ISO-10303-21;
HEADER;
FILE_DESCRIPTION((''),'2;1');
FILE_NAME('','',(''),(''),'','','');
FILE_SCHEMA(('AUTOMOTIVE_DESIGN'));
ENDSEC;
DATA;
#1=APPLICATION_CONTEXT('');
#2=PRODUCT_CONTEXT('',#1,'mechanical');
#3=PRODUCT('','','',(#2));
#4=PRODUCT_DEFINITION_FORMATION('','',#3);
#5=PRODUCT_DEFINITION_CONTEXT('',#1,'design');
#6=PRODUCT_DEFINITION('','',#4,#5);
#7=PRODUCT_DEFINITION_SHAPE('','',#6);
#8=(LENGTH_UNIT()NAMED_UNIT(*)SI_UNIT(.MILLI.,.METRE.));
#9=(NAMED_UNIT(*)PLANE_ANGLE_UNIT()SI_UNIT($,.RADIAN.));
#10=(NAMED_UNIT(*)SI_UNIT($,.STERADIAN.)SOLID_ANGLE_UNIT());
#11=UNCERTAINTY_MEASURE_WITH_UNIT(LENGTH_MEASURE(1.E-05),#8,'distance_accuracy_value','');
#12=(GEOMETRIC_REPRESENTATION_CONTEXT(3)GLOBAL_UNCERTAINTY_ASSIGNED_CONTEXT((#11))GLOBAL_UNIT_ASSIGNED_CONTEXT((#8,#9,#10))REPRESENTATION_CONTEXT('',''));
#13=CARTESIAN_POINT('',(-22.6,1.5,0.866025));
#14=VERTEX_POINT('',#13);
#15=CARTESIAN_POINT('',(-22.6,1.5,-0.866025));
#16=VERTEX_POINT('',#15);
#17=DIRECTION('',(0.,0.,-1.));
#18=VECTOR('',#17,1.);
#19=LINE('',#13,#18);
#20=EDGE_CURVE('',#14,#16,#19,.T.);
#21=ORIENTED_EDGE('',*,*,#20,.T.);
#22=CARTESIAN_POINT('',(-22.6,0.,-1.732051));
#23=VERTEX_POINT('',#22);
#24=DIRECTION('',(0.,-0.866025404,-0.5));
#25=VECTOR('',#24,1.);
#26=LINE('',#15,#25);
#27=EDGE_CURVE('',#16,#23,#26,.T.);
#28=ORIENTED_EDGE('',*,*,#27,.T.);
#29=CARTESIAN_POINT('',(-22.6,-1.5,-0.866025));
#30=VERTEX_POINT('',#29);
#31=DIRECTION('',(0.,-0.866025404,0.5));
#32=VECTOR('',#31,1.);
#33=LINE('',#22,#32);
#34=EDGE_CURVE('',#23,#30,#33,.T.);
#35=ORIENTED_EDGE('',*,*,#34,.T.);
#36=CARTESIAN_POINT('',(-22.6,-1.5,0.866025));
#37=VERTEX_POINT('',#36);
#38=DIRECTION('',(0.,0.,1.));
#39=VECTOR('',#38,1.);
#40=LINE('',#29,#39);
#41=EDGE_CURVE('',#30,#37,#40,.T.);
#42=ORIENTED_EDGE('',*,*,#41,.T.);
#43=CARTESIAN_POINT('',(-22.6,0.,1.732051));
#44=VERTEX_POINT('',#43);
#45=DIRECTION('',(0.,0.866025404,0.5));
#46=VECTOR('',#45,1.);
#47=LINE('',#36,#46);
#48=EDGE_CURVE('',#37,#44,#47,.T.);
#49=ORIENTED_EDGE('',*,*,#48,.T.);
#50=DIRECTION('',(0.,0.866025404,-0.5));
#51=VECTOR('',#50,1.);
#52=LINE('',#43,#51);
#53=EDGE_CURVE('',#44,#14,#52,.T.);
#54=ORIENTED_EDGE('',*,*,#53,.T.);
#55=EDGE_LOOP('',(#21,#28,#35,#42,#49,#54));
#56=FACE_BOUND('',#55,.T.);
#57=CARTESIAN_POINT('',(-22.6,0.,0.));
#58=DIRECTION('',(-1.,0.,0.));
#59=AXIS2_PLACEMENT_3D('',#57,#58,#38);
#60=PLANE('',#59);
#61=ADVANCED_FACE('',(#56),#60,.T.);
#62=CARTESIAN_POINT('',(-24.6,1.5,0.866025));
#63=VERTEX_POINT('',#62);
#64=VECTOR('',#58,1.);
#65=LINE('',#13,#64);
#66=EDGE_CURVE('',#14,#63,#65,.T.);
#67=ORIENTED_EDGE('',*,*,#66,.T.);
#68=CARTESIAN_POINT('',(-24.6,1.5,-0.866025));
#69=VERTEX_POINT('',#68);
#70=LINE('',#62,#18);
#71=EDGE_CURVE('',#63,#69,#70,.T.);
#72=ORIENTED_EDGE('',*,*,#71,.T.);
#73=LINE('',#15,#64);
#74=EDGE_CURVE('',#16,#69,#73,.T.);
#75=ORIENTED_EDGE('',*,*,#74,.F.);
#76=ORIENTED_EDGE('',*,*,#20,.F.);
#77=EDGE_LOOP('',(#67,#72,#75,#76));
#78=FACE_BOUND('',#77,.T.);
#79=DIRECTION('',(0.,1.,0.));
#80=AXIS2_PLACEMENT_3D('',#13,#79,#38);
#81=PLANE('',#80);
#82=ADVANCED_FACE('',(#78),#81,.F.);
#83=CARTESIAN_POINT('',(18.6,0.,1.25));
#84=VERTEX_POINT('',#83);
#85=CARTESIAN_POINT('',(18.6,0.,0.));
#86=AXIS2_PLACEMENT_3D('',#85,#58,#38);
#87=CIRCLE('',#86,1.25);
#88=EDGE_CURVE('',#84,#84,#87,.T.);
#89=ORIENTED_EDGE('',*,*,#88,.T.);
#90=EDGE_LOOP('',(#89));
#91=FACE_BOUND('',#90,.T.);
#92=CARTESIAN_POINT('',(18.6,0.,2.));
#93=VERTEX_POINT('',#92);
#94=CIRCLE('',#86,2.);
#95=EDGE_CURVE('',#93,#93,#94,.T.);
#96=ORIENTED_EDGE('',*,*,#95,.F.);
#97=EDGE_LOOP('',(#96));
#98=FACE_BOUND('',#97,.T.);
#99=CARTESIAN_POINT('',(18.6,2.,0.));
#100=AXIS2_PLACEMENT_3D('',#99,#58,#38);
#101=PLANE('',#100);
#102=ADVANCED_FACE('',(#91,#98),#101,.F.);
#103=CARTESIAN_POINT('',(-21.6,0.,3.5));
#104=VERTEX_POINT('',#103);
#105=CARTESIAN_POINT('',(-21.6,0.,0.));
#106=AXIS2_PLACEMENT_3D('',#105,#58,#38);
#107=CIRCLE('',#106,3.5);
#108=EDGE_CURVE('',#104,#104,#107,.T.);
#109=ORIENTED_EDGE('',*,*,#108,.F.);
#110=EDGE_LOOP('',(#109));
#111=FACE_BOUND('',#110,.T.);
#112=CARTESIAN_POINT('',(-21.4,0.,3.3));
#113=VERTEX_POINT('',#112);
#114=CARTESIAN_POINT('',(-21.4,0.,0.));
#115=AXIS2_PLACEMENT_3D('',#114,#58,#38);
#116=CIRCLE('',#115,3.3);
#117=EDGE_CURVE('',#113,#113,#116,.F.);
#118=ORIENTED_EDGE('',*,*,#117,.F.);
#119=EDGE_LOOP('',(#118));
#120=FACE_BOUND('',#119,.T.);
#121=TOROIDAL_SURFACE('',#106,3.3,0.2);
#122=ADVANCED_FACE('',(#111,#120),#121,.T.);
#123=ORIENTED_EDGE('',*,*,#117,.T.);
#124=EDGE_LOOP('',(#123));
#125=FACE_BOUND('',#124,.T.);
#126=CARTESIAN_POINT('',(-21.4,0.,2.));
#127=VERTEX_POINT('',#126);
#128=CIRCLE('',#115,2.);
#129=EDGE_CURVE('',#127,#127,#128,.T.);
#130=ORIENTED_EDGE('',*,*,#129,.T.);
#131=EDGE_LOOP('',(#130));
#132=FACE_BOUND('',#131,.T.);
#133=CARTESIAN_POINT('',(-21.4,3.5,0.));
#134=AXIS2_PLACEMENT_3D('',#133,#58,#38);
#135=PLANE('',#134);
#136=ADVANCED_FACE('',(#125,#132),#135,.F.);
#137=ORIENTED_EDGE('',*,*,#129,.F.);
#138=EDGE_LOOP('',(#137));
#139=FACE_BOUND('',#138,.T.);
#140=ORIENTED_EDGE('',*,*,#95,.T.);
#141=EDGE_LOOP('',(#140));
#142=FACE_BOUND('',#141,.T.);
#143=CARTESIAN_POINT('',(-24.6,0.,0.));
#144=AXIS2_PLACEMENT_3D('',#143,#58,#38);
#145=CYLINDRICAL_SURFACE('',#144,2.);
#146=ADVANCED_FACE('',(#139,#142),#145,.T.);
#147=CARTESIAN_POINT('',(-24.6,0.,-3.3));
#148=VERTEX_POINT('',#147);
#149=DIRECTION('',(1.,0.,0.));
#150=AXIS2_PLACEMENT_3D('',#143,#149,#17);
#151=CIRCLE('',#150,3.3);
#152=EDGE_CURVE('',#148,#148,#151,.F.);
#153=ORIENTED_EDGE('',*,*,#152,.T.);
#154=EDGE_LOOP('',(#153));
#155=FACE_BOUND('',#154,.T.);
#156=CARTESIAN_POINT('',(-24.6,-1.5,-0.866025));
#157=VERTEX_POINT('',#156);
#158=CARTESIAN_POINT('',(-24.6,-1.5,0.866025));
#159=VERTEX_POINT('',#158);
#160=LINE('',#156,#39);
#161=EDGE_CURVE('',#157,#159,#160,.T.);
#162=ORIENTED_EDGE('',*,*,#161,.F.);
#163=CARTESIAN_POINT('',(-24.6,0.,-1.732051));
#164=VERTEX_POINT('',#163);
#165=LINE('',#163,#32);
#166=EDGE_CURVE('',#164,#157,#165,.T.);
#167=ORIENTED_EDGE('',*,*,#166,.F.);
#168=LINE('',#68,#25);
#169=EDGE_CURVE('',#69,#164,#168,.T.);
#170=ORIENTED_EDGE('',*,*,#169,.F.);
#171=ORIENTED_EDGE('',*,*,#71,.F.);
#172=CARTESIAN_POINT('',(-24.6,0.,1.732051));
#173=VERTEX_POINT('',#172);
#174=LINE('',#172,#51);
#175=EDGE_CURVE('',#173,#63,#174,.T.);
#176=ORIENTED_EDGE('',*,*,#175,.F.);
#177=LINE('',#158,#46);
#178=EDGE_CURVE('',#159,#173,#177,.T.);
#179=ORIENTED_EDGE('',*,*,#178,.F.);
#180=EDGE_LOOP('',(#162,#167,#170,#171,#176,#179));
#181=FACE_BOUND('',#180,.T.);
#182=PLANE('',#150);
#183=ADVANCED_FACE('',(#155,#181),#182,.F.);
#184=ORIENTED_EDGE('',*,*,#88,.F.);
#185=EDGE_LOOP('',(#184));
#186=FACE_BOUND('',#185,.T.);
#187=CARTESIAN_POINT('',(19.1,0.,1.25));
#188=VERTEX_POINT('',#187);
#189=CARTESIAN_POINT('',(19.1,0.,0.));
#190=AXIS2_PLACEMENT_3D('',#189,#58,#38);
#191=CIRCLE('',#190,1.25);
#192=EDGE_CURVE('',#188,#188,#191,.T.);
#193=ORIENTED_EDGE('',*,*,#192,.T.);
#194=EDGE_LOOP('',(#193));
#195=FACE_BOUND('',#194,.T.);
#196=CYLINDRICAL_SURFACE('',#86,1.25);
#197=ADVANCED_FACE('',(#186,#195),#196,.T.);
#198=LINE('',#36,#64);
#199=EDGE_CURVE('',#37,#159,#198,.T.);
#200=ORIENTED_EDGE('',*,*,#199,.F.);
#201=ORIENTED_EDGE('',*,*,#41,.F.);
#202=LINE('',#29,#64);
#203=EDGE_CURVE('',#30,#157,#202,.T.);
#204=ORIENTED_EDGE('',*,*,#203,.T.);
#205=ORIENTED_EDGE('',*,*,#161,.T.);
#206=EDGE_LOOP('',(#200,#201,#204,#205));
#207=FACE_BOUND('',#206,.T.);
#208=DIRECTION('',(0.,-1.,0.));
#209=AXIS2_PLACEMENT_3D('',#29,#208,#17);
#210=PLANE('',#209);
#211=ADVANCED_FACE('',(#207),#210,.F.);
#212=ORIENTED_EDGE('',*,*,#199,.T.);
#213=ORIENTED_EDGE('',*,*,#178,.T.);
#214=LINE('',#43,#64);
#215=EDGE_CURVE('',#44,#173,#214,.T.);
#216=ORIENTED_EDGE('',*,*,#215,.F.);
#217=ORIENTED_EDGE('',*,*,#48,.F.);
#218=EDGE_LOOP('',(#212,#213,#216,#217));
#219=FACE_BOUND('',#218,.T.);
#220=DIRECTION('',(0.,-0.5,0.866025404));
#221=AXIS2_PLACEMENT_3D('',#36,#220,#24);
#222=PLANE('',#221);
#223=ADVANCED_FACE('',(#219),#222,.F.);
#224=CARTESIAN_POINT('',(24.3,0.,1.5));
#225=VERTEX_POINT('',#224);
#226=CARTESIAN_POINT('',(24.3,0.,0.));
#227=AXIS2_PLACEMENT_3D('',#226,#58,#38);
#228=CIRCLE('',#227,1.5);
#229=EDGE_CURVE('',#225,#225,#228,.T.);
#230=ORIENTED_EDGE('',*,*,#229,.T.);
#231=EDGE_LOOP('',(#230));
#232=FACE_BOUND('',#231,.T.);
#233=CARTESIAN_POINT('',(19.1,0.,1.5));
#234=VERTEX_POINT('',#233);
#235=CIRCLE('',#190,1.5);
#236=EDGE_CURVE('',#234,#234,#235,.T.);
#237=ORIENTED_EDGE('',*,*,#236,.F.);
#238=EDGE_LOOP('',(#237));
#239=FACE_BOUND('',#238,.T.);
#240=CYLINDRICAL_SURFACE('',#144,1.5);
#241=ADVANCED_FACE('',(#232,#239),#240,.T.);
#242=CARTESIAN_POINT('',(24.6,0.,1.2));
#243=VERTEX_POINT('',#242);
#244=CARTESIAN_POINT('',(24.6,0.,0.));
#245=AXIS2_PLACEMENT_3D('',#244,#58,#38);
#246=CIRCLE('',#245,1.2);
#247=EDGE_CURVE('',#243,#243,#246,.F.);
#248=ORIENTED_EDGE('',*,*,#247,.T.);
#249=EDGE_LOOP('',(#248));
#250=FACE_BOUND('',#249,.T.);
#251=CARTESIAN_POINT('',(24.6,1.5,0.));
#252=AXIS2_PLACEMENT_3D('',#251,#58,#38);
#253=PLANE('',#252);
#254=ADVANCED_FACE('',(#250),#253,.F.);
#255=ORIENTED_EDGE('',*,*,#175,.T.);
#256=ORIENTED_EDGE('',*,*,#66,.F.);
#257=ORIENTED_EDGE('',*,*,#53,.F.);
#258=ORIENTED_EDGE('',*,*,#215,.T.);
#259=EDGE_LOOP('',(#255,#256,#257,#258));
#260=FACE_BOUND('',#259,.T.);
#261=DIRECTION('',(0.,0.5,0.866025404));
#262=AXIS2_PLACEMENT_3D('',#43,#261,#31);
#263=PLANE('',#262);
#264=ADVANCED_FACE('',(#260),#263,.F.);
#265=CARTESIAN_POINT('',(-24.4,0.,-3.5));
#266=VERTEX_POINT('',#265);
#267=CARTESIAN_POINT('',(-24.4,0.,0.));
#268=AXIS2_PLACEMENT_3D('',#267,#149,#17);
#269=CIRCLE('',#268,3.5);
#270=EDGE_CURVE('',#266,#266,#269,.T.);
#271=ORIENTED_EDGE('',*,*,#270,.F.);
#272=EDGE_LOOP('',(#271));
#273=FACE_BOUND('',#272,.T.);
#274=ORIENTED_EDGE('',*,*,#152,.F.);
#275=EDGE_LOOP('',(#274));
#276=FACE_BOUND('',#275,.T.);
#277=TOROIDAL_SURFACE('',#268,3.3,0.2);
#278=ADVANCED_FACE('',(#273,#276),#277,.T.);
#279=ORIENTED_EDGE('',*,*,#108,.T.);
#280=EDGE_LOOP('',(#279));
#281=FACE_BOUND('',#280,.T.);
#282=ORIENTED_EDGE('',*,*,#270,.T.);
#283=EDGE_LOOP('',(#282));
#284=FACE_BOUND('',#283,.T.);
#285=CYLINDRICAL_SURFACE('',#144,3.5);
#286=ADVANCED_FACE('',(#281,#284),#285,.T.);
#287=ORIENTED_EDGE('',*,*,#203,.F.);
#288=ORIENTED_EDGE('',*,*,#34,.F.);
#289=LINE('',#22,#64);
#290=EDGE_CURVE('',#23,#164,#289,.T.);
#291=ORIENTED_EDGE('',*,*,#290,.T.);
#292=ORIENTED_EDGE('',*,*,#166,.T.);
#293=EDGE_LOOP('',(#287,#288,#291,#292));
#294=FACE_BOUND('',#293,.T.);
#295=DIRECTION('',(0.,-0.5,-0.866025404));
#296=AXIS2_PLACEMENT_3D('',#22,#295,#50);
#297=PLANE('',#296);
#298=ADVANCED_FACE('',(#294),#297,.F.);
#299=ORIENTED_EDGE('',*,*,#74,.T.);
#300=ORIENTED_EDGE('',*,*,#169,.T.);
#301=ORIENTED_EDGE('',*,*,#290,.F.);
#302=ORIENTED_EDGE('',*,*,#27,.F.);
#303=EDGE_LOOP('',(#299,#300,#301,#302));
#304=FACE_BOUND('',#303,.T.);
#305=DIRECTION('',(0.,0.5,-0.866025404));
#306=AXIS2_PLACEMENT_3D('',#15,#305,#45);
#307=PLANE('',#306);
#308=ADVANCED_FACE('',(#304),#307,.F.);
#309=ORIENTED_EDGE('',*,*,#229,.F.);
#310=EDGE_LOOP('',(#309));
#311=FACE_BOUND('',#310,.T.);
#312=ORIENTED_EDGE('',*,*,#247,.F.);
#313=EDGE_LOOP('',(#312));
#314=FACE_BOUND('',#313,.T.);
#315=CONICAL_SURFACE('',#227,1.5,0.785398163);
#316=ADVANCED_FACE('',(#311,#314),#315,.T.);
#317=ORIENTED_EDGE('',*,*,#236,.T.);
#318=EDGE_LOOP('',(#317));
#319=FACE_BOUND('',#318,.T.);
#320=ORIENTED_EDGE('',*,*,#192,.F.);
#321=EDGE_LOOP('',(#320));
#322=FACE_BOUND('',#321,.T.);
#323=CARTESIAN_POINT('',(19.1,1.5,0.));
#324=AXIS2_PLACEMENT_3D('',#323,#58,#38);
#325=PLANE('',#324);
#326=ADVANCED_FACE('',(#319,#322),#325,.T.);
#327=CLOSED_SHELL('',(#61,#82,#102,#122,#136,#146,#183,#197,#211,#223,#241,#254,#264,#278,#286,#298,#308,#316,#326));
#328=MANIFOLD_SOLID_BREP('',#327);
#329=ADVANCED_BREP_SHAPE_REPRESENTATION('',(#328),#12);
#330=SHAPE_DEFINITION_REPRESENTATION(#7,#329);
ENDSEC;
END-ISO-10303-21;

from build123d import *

# Parameters (mm, degrees)
FILLET_1_R          = 0.2
CHAMFER_1_SIZE      = 0.3
SKETCH_3_W          = 0.5
SKETCH_3_H          = 0.25
CUT_EXTRUDE_1_DEPTH = 2


with BuildPart() as part:
    # 草图1 → 旋转1 (revolve)
    with BuildSketch(Plane.XY, mode=Mode.PRIVATE) as revolve_1_sk:
        Polygon((-24.6, 0), (-24.6, 3.5), (-21.4, 3.5), (-21.4, 2), (18.6, 2), (18.6, 1.5), (24.6, 1.5), (24.6, 0), align=None)
    revolve(revolve_1_sk.sketch.rotate(Axis((-24.6, 0, 0), (1, 0, 0)), 90), axis=Axis((-24.6, 0, 0), (1, 0, 0)))

    # 圆角1
    fillet_1_edges = [part.edges().sort_by_distance(p)[0] for p in [
        (-21.4, 0, -3.5),
        (-24.6, 0, -3.5),
    ]]
    fillet(fillet_1_edges, radius=FILLET_1_R)

    # 倒角1
    chamfer_1_edges = [part.edges().sort_by_distance(p)[0] for p in [
        (24.6, 0, -1.5),
    ]]
    chamfer(chamfer_1_edges, length=CHAMFER_1_SIZE)

    # 草图3 → 切除-旋转1 (revolve, cut)
    with BuildSketch(Plane.XY, mode=Mode.PRIVATE) as cut_revolve_1_sk:
        with Locations((18.85, 1.375)):
            Rectangle(SKETCH_3_W, SKETCH_3_H)
    revolve(cut_revolve_1_sk.sketch.rotate(Axis((18.6, 0, 0), (1, 0, 0)), 90), axis=Axis((18.6, 0, 0), (1, 0, 0)), mode=Mode.SUBTRACT)

    # 草图4 → 切除-拉伸1 (cut)
    with BuildSketch(Plane.ZY.offset(24.6)):
        Polygon((1.732050808, 0), (0.866025404, 1.5), (-0.866025404, 1.5), (-1.732050808, 0), (-0.866025404, -1.5), (0.866025404, -1.5), align=None)
    extrude(amount=-CUT_EXTRUDE_1_DEPTH, mode=Mode.SUBTRACT)


solid = part.part
